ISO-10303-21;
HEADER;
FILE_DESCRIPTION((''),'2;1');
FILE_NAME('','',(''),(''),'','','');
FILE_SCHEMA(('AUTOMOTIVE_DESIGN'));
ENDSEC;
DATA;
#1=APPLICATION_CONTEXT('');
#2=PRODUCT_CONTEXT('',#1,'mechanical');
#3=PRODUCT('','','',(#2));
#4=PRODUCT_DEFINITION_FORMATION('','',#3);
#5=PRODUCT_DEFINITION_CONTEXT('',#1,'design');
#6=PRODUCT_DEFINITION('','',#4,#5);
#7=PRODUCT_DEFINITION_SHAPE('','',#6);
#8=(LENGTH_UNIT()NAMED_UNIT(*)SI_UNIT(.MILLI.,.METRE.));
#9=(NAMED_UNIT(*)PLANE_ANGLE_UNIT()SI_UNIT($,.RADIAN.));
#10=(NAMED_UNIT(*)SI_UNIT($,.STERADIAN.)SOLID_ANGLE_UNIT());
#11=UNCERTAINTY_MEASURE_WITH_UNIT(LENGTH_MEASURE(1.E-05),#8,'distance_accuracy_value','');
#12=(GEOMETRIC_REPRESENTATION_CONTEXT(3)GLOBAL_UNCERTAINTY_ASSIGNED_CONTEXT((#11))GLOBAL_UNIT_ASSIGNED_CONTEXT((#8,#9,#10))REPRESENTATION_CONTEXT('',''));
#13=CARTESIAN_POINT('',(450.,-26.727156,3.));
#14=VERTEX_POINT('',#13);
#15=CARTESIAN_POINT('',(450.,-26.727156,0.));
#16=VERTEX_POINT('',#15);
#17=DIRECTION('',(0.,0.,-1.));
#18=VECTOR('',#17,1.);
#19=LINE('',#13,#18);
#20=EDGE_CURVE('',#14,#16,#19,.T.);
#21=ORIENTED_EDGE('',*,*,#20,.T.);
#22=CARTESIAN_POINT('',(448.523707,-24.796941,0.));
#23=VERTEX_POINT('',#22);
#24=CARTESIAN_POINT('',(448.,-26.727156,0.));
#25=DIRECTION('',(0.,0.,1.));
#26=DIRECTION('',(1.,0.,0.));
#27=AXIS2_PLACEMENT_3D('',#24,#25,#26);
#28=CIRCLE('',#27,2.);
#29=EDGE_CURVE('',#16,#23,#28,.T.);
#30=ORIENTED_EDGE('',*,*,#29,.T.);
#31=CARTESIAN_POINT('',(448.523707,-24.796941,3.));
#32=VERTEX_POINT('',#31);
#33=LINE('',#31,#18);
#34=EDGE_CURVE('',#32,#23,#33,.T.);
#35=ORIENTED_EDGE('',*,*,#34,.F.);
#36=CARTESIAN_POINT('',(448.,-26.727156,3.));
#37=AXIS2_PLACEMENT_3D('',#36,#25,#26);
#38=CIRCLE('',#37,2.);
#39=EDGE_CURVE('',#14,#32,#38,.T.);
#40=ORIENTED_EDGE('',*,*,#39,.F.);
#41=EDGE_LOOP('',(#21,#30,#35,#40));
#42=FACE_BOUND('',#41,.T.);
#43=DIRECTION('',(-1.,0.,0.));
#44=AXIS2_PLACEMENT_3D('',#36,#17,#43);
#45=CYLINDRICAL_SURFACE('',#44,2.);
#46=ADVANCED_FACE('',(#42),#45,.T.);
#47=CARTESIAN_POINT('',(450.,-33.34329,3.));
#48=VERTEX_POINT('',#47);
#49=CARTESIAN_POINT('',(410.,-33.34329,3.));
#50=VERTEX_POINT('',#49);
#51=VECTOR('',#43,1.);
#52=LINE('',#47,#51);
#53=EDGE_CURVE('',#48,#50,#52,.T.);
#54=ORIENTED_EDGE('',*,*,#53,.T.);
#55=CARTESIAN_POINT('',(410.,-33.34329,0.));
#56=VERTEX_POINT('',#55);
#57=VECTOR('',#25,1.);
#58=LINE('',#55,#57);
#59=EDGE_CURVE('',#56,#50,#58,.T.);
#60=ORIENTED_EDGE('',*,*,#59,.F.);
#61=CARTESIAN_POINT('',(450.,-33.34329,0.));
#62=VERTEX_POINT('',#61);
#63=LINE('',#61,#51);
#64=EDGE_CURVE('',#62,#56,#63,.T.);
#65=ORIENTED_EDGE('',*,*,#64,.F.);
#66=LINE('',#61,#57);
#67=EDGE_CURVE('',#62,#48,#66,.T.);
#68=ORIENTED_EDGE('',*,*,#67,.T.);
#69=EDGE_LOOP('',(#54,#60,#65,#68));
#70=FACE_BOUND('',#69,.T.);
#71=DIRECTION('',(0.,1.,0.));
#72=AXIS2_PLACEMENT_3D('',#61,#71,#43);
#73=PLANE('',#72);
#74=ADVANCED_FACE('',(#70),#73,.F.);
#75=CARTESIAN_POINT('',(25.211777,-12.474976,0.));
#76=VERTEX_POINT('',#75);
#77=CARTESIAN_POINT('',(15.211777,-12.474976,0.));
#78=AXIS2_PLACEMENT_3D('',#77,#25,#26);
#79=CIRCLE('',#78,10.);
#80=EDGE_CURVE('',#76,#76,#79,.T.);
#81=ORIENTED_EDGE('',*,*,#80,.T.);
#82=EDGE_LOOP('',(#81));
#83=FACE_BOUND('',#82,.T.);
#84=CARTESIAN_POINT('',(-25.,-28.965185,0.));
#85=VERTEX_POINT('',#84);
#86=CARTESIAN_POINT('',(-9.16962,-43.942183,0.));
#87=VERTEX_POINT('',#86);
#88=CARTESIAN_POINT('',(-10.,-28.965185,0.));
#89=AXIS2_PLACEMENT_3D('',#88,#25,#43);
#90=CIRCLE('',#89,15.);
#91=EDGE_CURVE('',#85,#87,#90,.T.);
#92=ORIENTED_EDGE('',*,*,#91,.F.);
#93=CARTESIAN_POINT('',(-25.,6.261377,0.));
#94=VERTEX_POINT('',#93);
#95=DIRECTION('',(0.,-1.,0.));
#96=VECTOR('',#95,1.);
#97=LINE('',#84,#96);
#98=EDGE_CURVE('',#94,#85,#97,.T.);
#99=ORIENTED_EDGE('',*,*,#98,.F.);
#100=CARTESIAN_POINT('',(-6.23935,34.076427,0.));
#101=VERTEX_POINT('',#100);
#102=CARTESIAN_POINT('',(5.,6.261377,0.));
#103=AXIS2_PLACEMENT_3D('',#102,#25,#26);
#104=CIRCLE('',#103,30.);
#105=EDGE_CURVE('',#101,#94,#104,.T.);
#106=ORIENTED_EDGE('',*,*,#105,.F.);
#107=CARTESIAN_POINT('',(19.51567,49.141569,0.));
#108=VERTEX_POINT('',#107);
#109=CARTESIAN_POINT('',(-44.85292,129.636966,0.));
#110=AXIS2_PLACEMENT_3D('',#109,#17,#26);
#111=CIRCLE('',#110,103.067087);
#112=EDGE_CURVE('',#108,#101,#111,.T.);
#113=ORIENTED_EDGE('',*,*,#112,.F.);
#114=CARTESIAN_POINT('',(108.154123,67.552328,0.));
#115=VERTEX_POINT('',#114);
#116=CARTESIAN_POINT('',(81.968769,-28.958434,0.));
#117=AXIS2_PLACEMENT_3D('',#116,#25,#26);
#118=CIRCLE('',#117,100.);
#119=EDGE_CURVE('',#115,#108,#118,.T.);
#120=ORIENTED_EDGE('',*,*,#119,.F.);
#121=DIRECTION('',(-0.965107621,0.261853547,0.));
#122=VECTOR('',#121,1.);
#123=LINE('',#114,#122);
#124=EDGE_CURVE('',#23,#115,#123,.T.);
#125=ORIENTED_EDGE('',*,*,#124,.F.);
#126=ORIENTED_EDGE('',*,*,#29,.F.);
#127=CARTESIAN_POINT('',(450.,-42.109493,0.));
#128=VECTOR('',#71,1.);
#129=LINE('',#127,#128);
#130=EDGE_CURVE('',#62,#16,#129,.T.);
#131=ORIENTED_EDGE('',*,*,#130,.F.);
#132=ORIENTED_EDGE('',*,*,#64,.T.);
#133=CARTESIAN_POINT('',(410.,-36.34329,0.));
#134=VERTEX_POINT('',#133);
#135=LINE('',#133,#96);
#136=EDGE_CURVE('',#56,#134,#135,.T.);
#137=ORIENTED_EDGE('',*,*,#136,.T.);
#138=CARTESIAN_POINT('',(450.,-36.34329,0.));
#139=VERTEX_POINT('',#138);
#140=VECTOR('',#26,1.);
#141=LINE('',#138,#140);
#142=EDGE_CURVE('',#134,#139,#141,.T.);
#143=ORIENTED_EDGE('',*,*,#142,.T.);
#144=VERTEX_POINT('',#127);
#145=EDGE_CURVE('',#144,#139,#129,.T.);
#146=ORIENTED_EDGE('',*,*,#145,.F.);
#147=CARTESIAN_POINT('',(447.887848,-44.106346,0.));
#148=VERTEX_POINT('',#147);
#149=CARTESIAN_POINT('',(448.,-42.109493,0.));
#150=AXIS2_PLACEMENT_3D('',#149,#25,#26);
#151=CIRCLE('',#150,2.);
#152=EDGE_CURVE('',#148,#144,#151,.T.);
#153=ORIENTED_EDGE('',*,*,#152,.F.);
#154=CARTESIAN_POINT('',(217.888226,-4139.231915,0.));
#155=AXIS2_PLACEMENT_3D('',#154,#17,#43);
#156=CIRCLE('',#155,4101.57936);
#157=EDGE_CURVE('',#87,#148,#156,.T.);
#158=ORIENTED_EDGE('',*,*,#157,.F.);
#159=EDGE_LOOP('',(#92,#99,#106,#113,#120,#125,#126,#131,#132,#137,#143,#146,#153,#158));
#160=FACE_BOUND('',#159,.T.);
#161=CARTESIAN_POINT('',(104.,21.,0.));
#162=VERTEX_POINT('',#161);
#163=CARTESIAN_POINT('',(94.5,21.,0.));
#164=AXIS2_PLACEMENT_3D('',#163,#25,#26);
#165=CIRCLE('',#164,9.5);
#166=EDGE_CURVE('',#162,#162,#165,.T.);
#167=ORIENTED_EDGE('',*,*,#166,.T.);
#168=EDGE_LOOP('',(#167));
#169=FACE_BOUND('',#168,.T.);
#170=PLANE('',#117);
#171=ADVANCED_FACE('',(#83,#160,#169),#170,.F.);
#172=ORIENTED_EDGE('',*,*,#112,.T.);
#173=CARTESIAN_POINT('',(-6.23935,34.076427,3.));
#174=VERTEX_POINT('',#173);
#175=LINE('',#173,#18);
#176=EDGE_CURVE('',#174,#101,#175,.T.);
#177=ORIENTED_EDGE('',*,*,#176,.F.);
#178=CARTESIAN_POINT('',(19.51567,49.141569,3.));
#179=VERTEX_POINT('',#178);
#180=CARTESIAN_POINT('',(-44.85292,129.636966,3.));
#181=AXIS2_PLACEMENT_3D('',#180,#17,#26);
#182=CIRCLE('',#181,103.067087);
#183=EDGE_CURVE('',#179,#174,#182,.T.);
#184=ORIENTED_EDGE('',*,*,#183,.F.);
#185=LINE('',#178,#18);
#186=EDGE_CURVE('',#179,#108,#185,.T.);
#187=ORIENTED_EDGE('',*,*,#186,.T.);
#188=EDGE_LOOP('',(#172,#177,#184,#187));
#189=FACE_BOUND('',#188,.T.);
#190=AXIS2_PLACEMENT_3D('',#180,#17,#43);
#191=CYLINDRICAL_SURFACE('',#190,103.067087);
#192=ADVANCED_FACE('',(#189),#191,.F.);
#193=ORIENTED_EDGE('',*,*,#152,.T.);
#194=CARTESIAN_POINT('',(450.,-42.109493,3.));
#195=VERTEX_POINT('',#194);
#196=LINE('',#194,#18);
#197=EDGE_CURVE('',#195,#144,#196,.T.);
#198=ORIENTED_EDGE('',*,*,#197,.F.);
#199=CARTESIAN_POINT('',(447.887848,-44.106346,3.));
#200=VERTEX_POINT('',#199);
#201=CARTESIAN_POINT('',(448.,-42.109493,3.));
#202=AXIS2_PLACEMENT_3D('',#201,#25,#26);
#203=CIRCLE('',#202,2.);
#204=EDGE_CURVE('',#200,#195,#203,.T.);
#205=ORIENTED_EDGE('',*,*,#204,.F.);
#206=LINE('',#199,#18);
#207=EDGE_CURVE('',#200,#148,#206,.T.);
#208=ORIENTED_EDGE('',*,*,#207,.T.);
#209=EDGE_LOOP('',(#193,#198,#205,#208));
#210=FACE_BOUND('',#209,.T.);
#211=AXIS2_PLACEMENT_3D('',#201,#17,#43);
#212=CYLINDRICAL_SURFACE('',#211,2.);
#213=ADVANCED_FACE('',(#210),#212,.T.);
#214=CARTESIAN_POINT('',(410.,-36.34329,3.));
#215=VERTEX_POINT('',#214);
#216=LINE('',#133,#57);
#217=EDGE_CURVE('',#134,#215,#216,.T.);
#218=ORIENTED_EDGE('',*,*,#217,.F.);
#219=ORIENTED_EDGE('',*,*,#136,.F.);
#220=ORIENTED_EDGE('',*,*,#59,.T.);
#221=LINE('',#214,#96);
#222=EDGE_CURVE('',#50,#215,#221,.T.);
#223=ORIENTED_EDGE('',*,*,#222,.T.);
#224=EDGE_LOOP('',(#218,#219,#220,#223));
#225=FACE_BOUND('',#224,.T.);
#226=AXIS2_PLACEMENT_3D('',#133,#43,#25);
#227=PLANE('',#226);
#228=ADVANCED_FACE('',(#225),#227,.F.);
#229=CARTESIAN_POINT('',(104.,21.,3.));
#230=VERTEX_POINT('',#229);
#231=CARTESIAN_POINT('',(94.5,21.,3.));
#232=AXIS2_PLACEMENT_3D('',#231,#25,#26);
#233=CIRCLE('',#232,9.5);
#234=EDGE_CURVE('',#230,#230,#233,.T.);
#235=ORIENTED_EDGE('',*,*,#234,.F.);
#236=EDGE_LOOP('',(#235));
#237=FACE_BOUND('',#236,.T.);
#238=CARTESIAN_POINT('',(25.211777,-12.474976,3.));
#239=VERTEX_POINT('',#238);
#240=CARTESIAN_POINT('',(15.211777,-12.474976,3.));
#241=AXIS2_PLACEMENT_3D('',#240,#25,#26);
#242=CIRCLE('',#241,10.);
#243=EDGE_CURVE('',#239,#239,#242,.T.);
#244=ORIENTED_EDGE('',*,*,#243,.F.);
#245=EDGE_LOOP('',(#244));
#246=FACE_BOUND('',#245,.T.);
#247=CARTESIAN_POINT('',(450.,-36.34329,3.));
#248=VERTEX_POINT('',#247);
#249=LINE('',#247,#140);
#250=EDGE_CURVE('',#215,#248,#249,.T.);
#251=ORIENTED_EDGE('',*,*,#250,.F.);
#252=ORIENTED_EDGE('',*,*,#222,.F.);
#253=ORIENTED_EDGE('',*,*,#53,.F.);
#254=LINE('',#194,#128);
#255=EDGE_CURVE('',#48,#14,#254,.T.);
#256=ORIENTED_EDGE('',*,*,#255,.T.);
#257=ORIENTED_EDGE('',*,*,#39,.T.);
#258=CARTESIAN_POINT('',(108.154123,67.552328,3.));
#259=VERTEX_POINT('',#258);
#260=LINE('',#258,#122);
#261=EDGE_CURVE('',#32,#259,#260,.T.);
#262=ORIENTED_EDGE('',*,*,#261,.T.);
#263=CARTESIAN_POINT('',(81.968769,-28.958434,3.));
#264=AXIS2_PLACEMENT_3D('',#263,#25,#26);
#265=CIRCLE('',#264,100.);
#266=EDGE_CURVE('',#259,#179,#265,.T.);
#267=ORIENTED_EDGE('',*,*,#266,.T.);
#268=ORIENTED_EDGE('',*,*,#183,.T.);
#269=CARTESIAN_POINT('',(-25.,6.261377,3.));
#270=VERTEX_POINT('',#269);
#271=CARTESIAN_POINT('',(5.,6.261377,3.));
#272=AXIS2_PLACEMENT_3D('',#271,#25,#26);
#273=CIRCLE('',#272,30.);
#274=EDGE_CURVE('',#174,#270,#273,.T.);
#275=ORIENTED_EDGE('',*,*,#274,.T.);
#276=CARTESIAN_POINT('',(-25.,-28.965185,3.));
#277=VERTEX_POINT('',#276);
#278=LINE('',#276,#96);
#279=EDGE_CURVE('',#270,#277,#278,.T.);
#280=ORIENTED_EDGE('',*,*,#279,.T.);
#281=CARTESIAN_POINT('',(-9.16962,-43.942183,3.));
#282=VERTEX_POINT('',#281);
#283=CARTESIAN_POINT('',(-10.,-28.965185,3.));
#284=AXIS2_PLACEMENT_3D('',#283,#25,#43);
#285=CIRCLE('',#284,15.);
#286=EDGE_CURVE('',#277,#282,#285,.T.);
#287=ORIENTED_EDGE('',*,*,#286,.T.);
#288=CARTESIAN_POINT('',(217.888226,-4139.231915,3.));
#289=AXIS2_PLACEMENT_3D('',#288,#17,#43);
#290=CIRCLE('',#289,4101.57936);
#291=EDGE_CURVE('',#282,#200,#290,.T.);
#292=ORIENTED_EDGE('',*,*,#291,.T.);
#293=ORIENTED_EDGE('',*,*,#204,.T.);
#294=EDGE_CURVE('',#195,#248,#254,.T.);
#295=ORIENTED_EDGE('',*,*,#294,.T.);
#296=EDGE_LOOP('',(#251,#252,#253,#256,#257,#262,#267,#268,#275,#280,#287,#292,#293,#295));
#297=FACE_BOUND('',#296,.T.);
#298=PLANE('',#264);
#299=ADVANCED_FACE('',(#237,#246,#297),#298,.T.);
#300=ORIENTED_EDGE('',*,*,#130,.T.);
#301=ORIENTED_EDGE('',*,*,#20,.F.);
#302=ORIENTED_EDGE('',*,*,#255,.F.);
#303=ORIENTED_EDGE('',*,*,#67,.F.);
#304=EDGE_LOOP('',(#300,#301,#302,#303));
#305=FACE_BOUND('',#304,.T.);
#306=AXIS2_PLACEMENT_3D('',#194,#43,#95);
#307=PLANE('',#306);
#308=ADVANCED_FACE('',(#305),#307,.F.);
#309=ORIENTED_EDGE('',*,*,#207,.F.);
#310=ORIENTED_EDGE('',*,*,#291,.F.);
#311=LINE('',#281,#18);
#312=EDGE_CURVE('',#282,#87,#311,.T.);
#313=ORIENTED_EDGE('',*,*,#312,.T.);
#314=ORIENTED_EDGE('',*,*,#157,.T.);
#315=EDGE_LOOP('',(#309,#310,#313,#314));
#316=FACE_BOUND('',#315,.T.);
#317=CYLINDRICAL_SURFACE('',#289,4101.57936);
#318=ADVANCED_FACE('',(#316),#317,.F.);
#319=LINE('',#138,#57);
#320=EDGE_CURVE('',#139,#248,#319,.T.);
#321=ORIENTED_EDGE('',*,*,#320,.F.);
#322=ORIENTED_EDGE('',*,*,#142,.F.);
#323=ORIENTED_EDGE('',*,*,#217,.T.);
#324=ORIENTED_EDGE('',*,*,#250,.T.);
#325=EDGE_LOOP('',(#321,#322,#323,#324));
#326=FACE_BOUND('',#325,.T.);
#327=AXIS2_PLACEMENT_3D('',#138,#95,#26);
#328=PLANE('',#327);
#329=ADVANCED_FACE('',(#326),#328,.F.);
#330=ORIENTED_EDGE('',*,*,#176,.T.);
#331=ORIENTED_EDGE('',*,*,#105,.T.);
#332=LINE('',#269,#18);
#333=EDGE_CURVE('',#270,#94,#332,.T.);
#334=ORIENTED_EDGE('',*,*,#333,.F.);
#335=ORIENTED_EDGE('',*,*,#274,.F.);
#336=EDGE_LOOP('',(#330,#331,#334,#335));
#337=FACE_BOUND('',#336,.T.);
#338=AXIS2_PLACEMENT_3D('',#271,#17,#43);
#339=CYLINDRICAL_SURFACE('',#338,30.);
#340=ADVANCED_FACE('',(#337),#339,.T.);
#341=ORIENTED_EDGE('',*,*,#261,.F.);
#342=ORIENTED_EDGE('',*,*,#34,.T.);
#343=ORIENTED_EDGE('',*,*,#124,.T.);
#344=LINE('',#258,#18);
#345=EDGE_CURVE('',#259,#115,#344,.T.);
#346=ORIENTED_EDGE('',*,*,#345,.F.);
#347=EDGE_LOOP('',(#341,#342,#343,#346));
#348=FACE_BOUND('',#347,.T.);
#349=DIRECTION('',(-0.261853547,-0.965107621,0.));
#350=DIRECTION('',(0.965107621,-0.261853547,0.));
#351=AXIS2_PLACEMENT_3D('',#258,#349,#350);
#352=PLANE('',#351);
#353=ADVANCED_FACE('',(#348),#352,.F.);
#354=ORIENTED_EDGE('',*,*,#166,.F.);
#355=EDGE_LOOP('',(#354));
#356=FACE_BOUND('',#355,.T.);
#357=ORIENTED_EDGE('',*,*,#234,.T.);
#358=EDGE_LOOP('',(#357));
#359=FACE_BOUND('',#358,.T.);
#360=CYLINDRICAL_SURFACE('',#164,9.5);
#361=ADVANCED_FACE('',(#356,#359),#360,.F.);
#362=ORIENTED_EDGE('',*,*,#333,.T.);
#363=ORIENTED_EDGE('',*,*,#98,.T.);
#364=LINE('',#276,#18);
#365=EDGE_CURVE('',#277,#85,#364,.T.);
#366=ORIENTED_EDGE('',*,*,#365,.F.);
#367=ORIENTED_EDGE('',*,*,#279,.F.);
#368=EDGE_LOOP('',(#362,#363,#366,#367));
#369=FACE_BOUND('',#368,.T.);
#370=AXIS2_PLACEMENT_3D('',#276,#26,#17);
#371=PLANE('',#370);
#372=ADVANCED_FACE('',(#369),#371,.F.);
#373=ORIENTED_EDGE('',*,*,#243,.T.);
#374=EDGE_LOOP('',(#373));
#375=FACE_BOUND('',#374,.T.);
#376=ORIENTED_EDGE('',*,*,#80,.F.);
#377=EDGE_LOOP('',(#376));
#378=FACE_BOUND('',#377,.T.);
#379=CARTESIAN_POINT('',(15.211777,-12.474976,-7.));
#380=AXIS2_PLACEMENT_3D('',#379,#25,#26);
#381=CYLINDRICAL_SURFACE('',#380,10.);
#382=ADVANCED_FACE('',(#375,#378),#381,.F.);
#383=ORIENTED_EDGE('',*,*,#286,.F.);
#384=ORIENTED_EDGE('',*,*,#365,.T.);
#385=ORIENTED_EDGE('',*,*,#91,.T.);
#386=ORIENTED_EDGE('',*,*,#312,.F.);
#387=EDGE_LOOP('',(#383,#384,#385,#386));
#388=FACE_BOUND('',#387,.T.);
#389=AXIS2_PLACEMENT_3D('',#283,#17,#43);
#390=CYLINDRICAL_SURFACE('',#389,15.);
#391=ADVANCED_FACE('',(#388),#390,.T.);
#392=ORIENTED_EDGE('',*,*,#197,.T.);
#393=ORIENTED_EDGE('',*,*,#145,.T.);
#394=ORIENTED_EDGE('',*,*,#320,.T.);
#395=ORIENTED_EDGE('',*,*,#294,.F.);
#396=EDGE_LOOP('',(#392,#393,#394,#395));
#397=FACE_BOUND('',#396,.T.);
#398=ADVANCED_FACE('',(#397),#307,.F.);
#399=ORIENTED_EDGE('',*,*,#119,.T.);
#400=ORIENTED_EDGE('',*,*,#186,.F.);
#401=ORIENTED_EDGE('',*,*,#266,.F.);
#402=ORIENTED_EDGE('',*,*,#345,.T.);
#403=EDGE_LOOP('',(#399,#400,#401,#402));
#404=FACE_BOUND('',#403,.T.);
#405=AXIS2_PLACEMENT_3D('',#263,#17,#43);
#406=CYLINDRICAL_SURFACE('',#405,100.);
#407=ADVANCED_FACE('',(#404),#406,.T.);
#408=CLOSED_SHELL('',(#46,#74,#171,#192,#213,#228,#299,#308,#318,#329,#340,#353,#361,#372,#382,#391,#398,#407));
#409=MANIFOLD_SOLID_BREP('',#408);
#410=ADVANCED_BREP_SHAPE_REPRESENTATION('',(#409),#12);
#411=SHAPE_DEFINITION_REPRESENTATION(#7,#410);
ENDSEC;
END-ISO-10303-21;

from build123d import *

# Parameters (mm, degrees)
BOSS_EXTRUDE1_DEPTH = 3
SKETCH2_R           = 9.5
CUT_EXTRUDE2_DEPTH  = 456.583037544
SKETCH6_W           = 40
SKETCH6_H           = 3
CUT_EXTRUDE4_DEPTH  = 456.583037544
SKETCH7_R           = 10
CUT_EXTRUDE5_DEPTH  = 10


with BuildPart() as part:
    # Sketch1 → Boss-Extrude1 (new body)
    with BuildSketch(Plane.XY):
        with BuildLine():
            Line((108.154123351, 67.552328068), (448.523707095, -24.796940542))
            ThreePointArc((448.523707095, -24.796940542), (449.588617983, -25.51212784), (450, -26.727155784))
            Line((450, -26.727155784), (450, -42.109493017))
            ThreePointArc((450, -42.109493017), (449.373989907, -43.562817391), (447.887848264, -44.106346038))
            ThreePointArc((447.887848264, -44.106346038), (219.361402367, -37.652818923), (-9.169620431, -43.942183392))
            ThreePointArc((-9.169620431, -43.942183392), (-20.308838598, -39.861416221), (-25, -28.96518537))
            Line((-25, -28.96518537), (-25, 6.26137734))
            ThreePointArc((-25, 6.26137734), (-19.871474725, 23.036649171), (-6.239350333, 34.076427296))
            ThreePointArc((-6.239350333, 34.076427296), (7.186208551, 40.672066088), (19.515669553, 49.14156866))
            ThreePointArc((19.515669553, 49.14156866), (61.632192327, 68.951849742), (108.154123351, 67.552328068))
        make_face()
    extrude(amount=BOSS_EXTRUDE1_DEPTH)

    # Sketch2 → Cut-Extrude2 (cut, through all)
    with BuildSketch(Plane.XY.offset(3)):
        with Locations((94.5, 21)):
            Circle(SKETCH2_R)
    extrude(amount=-CUT_EXTRUDE2_DEPTH, mode=Mode.SUBTRACT)

    # Sketch6 → Cut-Extrude4 (cut, through all)
    with BuildSketch(Plane.XY.offset(3)):
        with Locations((430, -34.843289866)):
            Rectangle(SKETCH6_W, SKETCH6_H)
    extrude(amount=-CUT_EXTRUDE4_DEPTH, mode=Mode.SUBTRACT)

    # Sketch7 → Cut-Extrude5 (cut)
    with BuildSketch(Plane.XY.offset(3)):
        with Locations((15.211776531, -12.474975597)):
            Circle(SKETCH7_R)
    extrude(amount=-CUT_EXTRUDE5_DEPTH, mode=Mode.SUBTRACT)


solid = part.part
